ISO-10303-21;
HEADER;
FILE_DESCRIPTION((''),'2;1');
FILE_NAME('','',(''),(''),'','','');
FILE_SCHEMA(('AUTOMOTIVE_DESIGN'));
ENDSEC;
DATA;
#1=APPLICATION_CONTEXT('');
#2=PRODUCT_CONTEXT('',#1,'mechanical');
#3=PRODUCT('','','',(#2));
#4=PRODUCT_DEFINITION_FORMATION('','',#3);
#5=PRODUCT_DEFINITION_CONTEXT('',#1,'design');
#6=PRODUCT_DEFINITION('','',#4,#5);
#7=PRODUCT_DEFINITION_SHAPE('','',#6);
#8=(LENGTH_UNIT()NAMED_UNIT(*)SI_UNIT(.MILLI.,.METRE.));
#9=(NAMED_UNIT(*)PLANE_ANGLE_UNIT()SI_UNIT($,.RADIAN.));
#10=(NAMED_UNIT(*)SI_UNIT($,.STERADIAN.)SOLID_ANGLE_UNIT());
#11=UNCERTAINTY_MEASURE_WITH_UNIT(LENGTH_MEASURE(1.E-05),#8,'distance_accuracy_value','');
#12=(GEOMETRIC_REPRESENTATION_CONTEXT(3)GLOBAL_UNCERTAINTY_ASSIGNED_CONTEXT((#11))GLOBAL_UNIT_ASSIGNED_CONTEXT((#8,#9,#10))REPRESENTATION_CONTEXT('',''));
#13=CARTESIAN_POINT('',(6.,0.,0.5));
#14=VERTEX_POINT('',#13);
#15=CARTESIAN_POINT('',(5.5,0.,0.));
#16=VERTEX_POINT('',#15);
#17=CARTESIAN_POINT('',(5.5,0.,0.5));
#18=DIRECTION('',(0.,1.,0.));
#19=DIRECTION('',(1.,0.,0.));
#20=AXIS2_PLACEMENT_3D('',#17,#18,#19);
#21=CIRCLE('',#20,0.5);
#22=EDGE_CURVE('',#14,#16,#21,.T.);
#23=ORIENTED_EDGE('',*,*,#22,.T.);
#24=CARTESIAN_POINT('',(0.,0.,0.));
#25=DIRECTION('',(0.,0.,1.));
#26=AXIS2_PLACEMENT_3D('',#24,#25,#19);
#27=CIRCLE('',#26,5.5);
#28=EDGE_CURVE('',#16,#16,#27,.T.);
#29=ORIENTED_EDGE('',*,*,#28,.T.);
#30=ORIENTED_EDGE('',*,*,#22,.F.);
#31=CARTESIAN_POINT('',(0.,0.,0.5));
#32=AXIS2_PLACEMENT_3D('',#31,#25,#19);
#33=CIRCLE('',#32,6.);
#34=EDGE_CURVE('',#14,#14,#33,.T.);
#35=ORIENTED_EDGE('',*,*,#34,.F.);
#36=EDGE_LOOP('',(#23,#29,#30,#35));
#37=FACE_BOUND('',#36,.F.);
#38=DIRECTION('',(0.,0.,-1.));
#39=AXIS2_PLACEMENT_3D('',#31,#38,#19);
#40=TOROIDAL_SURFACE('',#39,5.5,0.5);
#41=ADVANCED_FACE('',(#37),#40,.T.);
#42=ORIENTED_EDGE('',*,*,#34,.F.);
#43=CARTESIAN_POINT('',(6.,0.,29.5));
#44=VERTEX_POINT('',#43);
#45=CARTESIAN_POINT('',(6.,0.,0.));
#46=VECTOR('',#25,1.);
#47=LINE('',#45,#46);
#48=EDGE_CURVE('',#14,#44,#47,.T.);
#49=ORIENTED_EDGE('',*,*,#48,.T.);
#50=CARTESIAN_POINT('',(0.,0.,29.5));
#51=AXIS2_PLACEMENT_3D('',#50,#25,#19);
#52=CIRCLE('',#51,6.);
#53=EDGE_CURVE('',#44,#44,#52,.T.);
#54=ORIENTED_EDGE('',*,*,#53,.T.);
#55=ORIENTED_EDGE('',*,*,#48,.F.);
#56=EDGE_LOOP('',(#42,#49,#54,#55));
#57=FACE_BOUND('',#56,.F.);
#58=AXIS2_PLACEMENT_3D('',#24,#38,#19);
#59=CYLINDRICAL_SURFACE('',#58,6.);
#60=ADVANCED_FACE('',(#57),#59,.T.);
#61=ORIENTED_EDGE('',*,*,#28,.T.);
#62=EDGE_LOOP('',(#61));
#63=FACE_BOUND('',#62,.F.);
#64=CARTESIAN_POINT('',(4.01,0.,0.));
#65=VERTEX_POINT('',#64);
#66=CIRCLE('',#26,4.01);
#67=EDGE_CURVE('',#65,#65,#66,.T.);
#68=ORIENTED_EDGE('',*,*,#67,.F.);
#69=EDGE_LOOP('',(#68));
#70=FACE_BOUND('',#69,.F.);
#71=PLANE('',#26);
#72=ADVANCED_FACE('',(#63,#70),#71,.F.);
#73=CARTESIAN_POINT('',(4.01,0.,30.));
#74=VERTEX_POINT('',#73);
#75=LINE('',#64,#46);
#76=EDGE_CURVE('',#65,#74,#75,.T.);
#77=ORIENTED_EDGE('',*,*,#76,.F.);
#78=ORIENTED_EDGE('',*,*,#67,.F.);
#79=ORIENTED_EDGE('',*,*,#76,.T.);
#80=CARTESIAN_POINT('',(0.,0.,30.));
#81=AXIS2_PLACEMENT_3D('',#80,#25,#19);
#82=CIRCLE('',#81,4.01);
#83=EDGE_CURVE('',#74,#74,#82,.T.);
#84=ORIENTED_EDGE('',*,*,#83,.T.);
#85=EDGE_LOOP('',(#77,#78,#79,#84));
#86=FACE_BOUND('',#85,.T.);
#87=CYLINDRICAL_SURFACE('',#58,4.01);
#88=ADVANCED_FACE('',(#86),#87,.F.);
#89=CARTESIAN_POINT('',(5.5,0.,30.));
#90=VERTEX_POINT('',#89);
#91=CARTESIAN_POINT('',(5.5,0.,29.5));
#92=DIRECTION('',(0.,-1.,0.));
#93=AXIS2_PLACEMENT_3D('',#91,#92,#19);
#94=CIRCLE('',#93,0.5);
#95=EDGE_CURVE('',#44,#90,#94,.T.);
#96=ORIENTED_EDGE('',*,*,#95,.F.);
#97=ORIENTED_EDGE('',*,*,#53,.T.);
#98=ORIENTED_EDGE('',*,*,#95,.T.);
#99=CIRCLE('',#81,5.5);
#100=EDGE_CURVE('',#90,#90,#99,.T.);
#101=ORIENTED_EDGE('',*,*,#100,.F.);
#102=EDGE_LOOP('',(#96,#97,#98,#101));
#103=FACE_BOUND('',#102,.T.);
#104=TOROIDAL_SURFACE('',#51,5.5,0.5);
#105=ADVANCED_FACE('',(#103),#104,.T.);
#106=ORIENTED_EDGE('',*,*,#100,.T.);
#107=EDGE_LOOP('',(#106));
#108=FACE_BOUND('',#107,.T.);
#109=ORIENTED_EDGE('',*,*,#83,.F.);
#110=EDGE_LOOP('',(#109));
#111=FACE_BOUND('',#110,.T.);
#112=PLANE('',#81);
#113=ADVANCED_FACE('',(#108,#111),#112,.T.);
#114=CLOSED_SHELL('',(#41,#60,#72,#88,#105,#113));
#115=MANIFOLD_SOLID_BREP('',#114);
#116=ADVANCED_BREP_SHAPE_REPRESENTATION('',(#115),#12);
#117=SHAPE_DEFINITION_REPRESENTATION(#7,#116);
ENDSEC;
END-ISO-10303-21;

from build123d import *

# Parameters (mm, degrees)
SKETCH_R         = 6
SKETCH_R_2       = 4.01
EXTRUDE001_DEPTH = 30
FILLET_R         = 0.5


with BuildPart() as part:
    # Sketch → Extrude001 (new body)
    with BuildSketch(Plane.XY):
        Circle(SKETCH_R)
        Circle(SKETCH_R_2, mode=Mode.SUBTRACT)
    extrude(amount=EXTRUDE001_DEPTH)

    # Fillet
    fillet_edges = [part.edges().sort_by_distance(p)[0] for p in [
        (-6, 0, 0),
        (-6, 0, 30),
    ]]
    fillet(fillet_edges, radius=FILLET_R)


solid = part.part
